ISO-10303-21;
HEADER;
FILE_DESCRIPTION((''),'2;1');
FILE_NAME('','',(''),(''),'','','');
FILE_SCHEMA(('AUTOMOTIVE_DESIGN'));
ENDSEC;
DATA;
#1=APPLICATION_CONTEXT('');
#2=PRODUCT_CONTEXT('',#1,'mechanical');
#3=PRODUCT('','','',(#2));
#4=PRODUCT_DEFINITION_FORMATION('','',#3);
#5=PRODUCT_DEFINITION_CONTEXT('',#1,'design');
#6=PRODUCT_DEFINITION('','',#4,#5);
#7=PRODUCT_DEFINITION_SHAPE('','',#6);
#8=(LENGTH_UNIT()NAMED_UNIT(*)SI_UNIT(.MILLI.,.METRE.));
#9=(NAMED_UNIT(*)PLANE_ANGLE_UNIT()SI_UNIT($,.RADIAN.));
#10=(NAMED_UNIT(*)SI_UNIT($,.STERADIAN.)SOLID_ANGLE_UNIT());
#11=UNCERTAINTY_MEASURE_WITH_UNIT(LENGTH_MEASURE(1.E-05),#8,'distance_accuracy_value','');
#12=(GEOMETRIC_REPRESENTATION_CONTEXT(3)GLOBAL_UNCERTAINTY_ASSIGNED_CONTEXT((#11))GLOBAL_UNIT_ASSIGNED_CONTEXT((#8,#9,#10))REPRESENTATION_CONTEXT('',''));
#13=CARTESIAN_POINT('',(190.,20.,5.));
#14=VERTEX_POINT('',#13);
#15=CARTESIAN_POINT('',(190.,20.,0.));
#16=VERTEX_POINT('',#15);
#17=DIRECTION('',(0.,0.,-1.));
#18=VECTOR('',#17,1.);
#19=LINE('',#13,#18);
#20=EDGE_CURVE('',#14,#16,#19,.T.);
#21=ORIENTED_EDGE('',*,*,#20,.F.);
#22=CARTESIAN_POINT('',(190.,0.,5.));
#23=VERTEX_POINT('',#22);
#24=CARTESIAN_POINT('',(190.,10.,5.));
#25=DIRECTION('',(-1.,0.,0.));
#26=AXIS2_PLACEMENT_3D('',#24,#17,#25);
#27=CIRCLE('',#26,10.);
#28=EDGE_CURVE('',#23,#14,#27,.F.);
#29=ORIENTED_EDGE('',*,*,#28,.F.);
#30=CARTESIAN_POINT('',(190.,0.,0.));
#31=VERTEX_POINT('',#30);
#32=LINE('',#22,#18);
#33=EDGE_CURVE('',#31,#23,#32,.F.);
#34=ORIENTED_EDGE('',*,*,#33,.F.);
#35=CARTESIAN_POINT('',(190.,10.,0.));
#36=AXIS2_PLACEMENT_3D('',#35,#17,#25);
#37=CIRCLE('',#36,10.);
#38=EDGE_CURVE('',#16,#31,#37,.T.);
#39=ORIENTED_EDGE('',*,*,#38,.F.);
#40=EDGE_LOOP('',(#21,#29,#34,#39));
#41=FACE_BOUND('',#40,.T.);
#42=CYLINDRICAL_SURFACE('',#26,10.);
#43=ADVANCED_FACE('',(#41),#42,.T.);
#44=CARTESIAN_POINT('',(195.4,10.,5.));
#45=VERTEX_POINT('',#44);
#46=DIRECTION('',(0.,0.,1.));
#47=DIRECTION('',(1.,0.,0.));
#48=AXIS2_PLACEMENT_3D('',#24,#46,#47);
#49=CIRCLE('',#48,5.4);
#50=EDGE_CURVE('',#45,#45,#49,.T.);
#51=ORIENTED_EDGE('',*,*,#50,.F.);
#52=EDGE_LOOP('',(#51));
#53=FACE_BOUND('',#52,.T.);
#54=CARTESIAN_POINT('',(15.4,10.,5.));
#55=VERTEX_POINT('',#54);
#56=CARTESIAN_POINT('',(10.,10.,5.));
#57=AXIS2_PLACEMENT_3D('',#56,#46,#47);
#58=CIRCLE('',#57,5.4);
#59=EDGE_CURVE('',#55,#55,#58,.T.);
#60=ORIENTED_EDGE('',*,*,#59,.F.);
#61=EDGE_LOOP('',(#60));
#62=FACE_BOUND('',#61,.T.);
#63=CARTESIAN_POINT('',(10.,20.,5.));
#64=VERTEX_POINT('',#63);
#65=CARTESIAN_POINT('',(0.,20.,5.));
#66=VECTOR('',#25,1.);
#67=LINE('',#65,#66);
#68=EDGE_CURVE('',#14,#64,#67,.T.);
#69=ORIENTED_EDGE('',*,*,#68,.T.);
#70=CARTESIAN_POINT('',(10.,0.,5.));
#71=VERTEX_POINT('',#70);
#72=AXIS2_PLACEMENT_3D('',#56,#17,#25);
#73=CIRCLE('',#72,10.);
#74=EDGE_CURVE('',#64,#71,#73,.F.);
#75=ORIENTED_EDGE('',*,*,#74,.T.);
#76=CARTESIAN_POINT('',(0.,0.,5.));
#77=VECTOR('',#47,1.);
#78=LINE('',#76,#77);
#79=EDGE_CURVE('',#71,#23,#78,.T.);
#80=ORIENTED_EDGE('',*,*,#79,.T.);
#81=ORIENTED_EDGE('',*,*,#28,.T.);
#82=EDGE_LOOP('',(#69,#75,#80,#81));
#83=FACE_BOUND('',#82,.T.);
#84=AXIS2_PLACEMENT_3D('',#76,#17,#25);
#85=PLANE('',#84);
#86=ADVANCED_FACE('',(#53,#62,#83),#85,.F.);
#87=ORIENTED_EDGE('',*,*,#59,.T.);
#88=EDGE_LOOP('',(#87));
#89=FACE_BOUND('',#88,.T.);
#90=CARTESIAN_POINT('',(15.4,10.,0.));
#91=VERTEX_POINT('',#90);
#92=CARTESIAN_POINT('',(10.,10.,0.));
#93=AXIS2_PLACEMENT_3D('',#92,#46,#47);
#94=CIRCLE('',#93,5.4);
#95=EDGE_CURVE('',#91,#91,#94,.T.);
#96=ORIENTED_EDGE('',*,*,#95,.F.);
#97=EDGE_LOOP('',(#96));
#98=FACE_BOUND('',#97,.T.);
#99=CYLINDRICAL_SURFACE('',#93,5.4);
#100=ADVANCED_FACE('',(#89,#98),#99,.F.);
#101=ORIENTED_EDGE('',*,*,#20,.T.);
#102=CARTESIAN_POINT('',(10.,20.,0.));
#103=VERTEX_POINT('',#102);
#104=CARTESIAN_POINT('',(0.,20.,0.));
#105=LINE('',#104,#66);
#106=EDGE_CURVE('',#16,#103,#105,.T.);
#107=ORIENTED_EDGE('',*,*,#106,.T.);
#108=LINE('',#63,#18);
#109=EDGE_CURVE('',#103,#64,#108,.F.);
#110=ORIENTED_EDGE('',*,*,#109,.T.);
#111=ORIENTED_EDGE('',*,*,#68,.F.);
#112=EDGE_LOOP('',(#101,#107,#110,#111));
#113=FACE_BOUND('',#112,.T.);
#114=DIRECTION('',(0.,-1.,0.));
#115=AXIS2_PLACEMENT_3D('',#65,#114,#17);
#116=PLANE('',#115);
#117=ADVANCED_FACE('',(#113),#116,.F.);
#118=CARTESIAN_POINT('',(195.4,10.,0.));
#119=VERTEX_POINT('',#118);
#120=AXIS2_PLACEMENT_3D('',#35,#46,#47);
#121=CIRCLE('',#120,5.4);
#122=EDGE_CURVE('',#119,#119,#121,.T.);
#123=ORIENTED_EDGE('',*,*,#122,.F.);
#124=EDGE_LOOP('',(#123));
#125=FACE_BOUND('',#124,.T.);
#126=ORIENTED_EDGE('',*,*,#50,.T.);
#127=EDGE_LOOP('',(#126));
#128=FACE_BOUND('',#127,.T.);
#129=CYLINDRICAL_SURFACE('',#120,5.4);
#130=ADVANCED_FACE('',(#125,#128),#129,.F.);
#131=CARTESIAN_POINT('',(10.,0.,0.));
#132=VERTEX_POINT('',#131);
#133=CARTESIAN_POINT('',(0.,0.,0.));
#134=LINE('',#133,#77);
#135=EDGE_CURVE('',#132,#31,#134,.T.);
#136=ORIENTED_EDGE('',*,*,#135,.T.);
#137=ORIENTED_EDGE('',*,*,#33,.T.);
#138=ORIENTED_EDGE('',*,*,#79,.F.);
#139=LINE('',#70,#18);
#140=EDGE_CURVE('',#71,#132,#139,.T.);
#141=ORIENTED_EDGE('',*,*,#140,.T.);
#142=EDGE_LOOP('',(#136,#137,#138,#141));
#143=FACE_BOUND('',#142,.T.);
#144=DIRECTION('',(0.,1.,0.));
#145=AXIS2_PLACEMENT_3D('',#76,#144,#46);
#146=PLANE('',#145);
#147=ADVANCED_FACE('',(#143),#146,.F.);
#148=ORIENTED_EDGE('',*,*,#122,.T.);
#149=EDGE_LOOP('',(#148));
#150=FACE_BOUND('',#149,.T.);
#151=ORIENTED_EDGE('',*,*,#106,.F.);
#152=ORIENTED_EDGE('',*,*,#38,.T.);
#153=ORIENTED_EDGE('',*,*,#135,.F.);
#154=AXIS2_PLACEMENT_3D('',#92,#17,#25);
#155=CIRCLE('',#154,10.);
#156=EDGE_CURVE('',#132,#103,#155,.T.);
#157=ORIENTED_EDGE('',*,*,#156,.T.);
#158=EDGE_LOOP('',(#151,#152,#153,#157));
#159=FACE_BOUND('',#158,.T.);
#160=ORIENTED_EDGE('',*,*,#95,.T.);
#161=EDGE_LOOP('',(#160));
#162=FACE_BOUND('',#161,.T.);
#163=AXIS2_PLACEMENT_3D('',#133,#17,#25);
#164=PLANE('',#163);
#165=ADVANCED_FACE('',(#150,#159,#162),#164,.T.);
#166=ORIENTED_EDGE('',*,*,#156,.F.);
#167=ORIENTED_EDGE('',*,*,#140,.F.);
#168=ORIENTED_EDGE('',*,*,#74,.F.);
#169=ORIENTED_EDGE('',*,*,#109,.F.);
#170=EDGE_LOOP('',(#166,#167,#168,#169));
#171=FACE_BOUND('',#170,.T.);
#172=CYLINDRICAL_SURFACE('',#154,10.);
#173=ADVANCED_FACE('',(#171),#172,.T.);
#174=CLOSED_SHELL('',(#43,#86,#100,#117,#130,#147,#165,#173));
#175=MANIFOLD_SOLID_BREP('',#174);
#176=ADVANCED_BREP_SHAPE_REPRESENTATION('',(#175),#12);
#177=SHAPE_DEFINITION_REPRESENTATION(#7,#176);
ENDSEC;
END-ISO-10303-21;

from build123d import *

# Parameters (mm, degrees)
SKETCH1_W           = 200
SKETCH1_H           = 20
BOSS_EXTRUDE1_DEPTH = 5
FILLET1_RADIUS      = 10
FILLET1_LENGTH      = 5
FILLET2_RADIUS      = 10
FILLET2_LENGTH      = 5
SKETCH2_R           = 5.4
CUT_EXTRUDE1_DEPTH  = 5


with BuildPart() as part:
    # Sketch1 → Boss-Extrude1 (new body)
    with BuildSketch(Plane.XY):
        with Locations((100, 10)):
            Rectangle(SKETCH1_W, SKETCH1_H)
    extrude(amount=BOSS_EXTRUDE1_DEPTH)

    # Fillet1: full round fillet: the end face becomes a half cylinder, R = half its width
    fillet1_face = Plane((200, 10, 2.5), x_dir=(0, 0, 1), z_dir=(1, 0, 0))  # on the end face: x along it, z out of the body
    fillet1_slab = fillet1_face.offset(-FILLET1_RADIUS / 2) * Box(FILLET1_LENGTH, 2 * FILLET1_RADIUS, FILLET1_RADIUS, mode=Mode.PRIVATE)  # the body's end, R deep
    fillet1_round = Plane((190, 10, 2.5), x_dir=(1, 0, 0), z_dir=(0, 0, 1)) * Cylinder(FILLET1_RADIUS, FILLET1_LENGTH, mode=Mode.PRIVATE)  # its axis R under the face
    add(fillet1_slab - fillet1_round, mode=Mode.SUBTRACT)

    # Fillet2: full round fillet: the end face becomes a half cylinder, R = half its width
    fillet2_face = Plane((0, 10, 2.5), x_dir=(0, 0, -1), z_dir=(-1, 0, 0))  # on the end face: x along it, z out of the body
    fillet2_slab = fillet2_face.offset(-FILLET2_RADIUS / 2) * Box(FILLET2_LENGTH, 2 * FILLET2_RADIUS, FILLET2_RADIUS, mode=Mode.PRIVATE)  # the body's end, R deep
    fillet2_round = Plane((10, 10, 2.5), x_dir=(-1, 0, 0), z_dir=(0, 0, -1)) * Cylinder(FILLET2_RADIUS, FILLET2_LENGTH, mode=Mode.PRIVATE)  # its axis R under the face
    add(fillet2_slab - fillet2_round, mode=Mode.SUBTRACT)

    # Sketch2 → Cut-Extrude1 (cut)
    with BuildSketch(Plane.XY.offset(5)):
        with Locations((10, 10)):
            Circle(SKETCH2_R)
        with Locations((190, 10)):
            Circle(SKETCH2_R)
    extrude(amount=-CUT_EXTRUDE1_DEPTH, mode=Mode.SUBTRACT)


solid = part.part
